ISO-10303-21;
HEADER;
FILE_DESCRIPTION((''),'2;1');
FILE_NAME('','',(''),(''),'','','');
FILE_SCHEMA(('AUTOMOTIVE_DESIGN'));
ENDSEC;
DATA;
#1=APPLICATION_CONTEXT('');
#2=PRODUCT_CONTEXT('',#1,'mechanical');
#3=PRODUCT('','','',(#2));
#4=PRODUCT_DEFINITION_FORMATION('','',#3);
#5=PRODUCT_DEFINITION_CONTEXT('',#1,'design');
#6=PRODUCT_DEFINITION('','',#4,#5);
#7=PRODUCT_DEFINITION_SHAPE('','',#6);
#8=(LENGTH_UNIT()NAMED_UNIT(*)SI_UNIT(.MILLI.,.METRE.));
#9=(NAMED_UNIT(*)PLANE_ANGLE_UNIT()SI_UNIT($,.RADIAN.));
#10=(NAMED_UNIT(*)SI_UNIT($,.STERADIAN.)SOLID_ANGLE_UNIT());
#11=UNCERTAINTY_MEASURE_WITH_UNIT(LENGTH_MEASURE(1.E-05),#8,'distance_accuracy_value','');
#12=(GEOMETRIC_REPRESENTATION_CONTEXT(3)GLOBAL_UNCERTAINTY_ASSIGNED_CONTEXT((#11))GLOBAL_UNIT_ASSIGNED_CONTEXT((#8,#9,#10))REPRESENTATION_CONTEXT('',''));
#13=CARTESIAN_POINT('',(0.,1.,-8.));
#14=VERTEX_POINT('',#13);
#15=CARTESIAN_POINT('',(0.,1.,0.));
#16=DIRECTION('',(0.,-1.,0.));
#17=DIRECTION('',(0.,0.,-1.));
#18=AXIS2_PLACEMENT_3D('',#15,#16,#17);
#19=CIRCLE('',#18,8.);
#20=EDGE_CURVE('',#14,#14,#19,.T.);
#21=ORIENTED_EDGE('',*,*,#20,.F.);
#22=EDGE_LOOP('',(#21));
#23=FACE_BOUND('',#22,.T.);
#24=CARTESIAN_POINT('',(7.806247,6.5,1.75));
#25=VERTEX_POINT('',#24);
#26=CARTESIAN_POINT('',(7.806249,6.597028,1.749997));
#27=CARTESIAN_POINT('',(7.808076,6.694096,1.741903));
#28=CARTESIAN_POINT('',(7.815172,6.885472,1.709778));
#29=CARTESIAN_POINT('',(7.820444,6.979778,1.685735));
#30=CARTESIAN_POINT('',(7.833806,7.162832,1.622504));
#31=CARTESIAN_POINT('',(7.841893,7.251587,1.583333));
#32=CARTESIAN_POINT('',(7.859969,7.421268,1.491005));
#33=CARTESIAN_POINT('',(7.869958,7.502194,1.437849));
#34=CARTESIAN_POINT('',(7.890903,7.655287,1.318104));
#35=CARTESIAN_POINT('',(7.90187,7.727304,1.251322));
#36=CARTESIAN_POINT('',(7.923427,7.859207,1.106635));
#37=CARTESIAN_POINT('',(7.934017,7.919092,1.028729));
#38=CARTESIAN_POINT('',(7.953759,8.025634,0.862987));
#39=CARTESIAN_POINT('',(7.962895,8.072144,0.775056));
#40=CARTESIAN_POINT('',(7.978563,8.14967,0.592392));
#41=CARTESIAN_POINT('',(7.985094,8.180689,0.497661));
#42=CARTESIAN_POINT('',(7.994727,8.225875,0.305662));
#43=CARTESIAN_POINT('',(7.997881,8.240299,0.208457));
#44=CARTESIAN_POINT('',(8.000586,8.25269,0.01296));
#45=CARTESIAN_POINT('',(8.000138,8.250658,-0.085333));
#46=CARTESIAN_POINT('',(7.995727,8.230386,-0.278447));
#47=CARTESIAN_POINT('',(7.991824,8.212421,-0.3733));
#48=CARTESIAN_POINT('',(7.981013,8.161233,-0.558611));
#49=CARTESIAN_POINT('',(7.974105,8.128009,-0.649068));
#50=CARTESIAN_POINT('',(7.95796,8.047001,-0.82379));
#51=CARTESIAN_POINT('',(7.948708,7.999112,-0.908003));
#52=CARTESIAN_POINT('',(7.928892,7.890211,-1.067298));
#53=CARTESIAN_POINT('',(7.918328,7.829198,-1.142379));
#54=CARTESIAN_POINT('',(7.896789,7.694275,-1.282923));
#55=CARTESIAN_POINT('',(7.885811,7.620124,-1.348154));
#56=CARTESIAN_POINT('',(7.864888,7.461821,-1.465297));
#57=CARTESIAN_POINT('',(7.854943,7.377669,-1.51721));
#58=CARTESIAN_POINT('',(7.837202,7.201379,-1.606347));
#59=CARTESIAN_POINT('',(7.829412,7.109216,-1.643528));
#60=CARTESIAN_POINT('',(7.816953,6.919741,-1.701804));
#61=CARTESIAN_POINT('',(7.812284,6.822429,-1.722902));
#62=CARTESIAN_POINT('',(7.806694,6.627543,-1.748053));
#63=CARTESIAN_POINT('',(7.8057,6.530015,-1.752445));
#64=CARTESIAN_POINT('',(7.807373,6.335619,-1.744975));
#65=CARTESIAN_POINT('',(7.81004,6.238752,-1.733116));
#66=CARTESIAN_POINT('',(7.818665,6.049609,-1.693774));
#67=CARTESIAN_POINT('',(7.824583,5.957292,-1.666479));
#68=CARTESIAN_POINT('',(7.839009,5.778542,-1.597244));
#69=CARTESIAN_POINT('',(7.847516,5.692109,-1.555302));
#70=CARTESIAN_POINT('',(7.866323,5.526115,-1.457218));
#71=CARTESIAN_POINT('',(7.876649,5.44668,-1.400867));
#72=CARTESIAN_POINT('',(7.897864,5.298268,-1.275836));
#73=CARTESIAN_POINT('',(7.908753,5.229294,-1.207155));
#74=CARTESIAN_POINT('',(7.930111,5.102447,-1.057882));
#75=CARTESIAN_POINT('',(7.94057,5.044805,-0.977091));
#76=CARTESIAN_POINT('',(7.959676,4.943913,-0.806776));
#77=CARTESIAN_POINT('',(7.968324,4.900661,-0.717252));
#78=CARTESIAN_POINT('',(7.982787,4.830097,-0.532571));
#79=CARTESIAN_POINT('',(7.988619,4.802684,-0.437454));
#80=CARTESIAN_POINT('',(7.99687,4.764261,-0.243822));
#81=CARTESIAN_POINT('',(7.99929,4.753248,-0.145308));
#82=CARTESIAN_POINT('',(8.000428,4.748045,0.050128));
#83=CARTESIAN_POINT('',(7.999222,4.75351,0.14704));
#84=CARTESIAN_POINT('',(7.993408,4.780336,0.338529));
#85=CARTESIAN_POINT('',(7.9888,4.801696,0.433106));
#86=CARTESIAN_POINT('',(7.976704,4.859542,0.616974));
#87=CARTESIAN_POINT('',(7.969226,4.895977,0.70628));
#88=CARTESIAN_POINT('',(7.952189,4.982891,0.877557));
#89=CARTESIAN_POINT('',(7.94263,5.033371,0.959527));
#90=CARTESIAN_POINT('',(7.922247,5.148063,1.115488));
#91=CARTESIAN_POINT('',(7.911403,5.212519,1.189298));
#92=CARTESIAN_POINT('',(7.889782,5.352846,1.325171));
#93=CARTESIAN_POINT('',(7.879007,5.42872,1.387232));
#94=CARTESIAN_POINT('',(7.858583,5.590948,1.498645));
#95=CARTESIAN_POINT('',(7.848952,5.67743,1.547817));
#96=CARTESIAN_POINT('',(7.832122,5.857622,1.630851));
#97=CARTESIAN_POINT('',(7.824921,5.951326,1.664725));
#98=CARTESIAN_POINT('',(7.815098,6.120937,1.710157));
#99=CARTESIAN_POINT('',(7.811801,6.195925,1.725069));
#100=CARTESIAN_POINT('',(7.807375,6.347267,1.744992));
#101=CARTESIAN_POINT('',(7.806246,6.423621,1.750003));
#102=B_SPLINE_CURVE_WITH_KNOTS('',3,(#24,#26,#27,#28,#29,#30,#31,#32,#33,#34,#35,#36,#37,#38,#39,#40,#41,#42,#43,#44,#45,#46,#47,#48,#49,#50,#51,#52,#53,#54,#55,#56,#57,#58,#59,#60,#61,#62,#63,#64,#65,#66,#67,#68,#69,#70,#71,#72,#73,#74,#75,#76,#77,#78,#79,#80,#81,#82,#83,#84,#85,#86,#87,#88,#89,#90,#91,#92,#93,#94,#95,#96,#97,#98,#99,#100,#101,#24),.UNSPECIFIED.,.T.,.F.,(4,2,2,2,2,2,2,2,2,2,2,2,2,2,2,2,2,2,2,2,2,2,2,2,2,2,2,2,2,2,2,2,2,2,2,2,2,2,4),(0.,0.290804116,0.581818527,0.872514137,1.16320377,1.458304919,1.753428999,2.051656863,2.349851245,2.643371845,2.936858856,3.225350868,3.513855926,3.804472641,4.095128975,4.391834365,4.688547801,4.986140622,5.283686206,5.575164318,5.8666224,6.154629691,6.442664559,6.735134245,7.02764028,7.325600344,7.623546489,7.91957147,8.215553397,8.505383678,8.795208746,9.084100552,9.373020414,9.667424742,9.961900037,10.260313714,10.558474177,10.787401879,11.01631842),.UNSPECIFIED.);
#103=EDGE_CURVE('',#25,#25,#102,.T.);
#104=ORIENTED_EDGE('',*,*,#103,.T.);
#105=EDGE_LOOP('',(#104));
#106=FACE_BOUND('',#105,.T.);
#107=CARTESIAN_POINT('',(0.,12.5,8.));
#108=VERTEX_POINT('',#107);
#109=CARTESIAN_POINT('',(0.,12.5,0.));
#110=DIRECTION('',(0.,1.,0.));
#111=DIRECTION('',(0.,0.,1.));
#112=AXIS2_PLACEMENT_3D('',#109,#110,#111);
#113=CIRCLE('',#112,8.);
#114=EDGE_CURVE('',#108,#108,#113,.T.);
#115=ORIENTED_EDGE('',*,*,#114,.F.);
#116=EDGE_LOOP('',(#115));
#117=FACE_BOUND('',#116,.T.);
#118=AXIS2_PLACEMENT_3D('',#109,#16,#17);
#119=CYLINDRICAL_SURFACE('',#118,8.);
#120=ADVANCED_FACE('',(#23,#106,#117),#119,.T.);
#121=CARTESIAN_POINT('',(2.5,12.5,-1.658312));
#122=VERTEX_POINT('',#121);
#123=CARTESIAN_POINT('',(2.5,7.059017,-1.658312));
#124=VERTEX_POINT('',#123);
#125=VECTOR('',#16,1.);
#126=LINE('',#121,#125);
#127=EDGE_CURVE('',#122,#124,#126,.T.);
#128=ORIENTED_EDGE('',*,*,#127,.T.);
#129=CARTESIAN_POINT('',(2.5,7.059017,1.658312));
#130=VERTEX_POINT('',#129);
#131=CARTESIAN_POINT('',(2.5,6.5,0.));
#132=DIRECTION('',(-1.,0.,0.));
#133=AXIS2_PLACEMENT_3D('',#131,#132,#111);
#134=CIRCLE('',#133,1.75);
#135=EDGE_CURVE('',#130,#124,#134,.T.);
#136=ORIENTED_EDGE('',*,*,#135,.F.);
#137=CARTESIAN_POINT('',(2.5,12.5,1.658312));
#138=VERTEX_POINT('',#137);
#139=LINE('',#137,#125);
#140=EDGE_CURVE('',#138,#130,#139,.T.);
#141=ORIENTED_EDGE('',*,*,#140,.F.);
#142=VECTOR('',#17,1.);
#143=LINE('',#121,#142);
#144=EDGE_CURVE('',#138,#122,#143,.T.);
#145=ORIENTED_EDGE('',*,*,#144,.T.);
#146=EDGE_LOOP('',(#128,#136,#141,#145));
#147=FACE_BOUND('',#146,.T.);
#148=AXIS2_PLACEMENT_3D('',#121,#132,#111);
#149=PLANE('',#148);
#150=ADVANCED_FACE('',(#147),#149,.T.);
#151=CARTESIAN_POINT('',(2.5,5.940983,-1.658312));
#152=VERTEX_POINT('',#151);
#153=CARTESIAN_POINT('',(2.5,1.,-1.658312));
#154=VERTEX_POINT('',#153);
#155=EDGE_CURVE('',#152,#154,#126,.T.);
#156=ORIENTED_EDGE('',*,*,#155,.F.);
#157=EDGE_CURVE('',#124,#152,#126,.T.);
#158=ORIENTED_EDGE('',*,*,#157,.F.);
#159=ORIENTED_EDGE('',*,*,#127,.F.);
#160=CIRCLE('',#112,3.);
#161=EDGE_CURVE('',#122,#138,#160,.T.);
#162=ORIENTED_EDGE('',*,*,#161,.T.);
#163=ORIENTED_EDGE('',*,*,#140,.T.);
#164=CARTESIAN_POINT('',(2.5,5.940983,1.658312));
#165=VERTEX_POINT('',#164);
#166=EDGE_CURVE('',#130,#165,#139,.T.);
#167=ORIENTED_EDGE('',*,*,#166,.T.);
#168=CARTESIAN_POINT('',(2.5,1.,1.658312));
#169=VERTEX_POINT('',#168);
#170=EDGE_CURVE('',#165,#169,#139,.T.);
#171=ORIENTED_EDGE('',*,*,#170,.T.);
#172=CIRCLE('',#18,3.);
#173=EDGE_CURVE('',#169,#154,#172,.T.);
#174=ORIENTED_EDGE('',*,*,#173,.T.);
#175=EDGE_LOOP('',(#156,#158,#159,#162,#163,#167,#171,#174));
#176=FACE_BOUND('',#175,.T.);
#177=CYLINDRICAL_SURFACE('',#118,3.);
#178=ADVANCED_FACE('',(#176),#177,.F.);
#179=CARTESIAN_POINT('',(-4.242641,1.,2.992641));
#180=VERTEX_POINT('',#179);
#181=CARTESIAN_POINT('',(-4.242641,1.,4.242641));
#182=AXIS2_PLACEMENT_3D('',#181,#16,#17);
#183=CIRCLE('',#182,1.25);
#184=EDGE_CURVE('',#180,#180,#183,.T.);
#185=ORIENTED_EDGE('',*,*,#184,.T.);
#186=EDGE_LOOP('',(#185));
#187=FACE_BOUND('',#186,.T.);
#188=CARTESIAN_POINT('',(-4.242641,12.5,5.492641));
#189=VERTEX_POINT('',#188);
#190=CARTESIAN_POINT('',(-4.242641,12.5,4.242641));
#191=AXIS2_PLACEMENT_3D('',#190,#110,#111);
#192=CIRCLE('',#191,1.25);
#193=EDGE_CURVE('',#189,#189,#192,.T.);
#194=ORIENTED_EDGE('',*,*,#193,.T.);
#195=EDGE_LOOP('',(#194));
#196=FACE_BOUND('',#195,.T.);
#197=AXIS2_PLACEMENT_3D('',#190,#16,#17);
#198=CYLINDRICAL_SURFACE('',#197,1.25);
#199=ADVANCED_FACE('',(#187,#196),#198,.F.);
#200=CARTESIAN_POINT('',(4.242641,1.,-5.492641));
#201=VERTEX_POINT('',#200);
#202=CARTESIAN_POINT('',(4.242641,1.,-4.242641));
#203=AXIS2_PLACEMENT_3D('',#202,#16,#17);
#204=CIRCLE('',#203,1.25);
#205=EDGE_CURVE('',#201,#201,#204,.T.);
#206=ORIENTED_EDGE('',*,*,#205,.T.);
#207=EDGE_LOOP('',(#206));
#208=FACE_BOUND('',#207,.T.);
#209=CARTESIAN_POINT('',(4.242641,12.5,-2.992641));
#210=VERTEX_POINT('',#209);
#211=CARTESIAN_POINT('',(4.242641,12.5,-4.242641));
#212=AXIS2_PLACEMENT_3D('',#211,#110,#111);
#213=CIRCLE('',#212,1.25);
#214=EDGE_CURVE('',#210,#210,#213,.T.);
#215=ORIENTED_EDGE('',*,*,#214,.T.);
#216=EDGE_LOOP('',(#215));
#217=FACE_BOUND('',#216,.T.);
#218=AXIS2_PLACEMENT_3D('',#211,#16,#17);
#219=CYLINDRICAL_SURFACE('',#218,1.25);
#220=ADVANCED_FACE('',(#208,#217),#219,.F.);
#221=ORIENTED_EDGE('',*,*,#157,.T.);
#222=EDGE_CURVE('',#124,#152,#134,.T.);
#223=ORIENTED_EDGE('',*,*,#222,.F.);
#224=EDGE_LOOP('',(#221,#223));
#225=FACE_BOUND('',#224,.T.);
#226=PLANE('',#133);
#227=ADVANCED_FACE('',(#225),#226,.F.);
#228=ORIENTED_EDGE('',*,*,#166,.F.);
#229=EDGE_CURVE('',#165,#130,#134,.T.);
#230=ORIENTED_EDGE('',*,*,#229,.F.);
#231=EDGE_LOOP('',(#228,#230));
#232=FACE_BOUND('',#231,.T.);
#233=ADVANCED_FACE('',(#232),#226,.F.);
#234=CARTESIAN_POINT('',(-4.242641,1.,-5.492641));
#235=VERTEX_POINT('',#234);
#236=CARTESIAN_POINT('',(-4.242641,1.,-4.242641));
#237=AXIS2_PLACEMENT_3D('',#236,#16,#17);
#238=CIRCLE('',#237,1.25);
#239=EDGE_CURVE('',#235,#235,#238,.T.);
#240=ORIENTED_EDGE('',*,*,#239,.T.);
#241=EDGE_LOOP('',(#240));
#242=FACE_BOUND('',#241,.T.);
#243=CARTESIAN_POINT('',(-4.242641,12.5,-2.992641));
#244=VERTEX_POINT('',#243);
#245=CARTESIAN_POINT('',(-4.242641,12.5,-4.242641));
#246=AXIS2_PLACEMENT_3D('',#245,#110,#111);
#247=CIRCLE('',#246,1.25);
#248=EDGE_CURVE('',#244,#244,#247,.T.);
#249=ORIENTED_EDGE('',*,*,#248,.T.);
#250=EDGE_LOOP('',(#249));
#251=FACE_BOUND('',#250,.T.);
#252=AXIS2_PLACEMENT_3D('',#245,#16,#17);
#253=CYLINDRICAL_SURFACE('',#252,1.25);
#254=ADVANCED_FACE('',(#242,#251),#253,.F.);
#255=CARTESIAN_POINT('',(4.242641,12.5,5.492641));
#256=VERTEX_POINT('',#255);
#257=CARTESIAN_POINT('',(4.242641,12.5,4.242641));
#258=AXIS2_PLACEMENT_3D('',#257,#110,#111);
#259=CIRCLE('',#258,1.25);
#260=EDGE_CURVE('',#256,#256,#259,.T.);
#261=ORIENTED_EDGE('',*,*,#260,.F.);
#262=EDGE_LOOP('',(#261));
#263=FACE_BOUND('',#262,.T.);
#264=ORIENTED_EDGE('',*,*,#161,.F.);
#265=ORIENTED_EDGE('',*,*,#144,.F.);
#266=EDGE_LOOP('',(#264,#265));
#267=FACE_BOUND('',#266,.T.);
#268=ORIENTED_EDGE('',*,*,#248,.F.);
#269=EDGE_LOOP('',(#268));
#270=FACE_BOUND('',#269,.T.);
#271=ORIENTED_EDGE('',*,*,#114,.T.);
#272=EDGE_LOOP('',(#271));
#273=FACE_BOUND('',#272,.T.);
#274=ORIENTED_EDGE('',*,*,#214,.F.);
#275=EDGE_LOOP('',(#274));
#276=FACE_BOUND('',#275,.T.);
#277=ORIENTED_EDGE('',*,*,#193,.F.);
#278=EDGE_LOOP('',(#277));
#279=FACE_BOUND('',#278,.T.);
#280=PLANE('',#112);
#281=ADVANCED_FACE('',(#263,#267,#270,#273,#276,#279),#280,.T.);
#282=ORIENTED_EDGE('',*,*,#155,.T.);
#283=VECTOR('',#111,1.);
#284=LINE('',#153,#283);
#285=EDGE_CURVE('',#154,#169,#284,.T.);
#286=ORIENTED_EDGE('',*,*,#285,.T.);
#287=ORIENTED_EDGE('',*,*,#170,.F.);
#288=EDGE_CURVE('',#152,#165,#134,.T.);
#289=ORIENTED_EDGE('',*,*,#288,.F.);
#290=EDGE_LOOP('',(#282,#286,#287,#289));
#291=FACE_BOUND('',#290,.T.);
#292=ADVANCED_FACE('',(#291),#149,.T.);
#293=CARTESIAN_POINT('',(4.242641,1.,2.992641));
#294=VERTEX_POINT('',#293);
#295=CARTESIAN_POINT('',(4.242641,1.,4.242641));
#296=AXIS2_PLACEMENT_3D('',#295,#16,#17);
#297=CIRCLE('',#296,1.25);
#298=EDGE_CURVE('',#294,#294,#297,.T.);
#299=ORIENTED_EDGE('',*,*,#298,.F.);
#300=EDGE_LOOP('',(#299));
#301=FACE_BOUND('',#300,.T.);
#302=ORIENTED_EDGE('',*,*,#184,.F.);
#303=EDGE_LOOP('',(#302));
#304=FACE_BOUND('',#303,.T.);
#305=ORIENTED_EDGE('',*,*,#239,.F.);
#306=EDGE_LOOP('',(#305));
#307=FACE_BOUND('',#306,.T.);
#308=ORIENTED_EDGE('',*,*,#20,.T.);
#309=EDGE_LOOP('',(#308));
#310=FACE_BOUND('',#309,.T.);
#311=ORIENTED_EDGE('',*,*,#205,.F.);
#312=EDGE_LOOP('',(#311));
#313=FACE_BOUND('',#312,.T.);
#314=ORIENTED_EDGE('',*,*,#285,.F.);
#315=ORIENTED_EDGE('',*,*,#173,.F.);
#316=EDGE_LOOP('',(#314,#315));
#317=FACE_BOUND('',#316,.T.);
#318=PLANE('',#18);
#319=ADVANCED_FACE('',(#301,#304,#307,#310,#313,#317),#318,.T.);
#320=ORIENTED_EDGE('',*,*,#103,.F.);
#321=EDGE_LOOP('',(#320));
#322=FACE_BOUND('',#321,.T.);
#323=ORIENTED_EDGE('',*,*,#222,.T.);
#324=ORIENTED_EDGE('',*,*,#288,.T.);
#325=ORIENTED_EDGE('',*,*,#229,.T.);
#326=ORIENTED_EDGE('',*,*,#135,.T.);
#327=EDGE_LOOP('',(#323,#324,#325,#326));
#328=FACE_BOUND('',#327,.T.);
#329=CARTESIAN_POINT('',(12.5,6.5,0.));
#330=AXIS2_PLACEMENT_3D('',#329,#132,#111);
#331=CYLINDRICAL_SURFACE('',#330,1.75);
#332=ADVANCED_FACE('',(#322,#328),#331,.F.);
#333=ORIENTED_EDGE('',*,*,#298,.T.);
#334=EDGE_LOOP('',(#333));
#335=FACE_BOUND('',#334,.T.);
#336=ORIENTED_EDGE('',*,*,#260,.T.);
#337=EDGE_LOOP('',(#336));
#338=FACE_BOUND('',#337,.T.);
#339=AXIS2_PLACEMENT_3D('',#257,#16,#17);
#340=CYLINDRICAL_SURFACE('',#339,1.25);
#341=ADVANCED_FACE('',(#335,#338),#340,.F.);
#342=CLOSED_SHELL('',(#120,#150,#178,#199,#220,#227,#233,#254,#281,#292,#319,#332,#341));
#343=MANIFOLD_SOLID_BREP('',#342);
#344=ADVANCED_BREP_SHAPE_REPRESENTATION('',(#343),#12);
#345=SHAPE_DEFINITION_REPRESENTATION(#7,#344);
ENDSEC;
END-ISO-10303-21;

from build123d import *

# Parameters (mm, degrees)
SKETCH_1_R          = 8
SKETCH_1_R_2        = 1.25
EXTRUDE_1_DEPTH     = 12.5
SKETCH_3_R          = 1.75
CUT_EXTRUDE_1_DEPTH = 10
SKETCH_5_R          = 11.085638204
CUT_EXTRUDE_2_DEPTH = 1


with BuildPart() as part:
    # 草图1 → 凸台-拉伸1 (new body)
    with BuildSketch(Plane(origin=(0, 0, 0), x_dir=(1, 0, 0), z_dir=(0, 1, 0))):
        with Locations(Location((0, 0, 0), (0, 0, 270))):
            Circle(SKETCH_1_R)
        with Locations(Location((4.242640687, 4.242640687, 0), (0, 0, 270))):
            Circle(SKETCH_1_R_2, mode=Mode.SUBTRACT)
        with Locations(Location((4.242640687, -4.242640687, 0), (0, 0, 270))):
            Circle(SKETCH_1_R_2, mode=Mode.SUBTRACT)
        with Locations(Location((-4.242640687, -4.242640687, 0), (0, 0, 270))):
            Circle(SKETCH_1_R_2, mode=Mode.SUBTRACT)
        with Locations(Location((-4.242640687, 4.242640687, 0), (0, 0, 270))):
            Circle(SKETCH_1_R_2, mode=Mode.SUBTRACT)
        with BuildLine():
            Line((2.5, 1.658312395), (2.5, -1.658312395))
            ThreePointArc((2.5, -1.658312395), (-3, 0), (2.5, 1.658312395))
        make_face(mode=Mode.SUBTRACT)
    extrude(amount=EXTRUDE_1_DEPTH)

    # 草图3 → 切除-拉伸1 (cut)
    with BuildSketch(Plane.ZY.offset(-2.5)):
        with Locations((0, 6.5)):
            Circle(SKETCH_3_R)
    extrude(amount=-CUT_EXTRUDE_1_DEPTH, mode=Mode.SUBTRACT)

    # 草图5 → 切除-拉伸2 (cut)
    with BuildSketch(Plane.XZ):
        Circle(SKETCH_5_R)
    extrude(amount=-CUT_EXTRUDE_2_DEPTH, mode=Mode.SUBTRACT)


solid = part.part
